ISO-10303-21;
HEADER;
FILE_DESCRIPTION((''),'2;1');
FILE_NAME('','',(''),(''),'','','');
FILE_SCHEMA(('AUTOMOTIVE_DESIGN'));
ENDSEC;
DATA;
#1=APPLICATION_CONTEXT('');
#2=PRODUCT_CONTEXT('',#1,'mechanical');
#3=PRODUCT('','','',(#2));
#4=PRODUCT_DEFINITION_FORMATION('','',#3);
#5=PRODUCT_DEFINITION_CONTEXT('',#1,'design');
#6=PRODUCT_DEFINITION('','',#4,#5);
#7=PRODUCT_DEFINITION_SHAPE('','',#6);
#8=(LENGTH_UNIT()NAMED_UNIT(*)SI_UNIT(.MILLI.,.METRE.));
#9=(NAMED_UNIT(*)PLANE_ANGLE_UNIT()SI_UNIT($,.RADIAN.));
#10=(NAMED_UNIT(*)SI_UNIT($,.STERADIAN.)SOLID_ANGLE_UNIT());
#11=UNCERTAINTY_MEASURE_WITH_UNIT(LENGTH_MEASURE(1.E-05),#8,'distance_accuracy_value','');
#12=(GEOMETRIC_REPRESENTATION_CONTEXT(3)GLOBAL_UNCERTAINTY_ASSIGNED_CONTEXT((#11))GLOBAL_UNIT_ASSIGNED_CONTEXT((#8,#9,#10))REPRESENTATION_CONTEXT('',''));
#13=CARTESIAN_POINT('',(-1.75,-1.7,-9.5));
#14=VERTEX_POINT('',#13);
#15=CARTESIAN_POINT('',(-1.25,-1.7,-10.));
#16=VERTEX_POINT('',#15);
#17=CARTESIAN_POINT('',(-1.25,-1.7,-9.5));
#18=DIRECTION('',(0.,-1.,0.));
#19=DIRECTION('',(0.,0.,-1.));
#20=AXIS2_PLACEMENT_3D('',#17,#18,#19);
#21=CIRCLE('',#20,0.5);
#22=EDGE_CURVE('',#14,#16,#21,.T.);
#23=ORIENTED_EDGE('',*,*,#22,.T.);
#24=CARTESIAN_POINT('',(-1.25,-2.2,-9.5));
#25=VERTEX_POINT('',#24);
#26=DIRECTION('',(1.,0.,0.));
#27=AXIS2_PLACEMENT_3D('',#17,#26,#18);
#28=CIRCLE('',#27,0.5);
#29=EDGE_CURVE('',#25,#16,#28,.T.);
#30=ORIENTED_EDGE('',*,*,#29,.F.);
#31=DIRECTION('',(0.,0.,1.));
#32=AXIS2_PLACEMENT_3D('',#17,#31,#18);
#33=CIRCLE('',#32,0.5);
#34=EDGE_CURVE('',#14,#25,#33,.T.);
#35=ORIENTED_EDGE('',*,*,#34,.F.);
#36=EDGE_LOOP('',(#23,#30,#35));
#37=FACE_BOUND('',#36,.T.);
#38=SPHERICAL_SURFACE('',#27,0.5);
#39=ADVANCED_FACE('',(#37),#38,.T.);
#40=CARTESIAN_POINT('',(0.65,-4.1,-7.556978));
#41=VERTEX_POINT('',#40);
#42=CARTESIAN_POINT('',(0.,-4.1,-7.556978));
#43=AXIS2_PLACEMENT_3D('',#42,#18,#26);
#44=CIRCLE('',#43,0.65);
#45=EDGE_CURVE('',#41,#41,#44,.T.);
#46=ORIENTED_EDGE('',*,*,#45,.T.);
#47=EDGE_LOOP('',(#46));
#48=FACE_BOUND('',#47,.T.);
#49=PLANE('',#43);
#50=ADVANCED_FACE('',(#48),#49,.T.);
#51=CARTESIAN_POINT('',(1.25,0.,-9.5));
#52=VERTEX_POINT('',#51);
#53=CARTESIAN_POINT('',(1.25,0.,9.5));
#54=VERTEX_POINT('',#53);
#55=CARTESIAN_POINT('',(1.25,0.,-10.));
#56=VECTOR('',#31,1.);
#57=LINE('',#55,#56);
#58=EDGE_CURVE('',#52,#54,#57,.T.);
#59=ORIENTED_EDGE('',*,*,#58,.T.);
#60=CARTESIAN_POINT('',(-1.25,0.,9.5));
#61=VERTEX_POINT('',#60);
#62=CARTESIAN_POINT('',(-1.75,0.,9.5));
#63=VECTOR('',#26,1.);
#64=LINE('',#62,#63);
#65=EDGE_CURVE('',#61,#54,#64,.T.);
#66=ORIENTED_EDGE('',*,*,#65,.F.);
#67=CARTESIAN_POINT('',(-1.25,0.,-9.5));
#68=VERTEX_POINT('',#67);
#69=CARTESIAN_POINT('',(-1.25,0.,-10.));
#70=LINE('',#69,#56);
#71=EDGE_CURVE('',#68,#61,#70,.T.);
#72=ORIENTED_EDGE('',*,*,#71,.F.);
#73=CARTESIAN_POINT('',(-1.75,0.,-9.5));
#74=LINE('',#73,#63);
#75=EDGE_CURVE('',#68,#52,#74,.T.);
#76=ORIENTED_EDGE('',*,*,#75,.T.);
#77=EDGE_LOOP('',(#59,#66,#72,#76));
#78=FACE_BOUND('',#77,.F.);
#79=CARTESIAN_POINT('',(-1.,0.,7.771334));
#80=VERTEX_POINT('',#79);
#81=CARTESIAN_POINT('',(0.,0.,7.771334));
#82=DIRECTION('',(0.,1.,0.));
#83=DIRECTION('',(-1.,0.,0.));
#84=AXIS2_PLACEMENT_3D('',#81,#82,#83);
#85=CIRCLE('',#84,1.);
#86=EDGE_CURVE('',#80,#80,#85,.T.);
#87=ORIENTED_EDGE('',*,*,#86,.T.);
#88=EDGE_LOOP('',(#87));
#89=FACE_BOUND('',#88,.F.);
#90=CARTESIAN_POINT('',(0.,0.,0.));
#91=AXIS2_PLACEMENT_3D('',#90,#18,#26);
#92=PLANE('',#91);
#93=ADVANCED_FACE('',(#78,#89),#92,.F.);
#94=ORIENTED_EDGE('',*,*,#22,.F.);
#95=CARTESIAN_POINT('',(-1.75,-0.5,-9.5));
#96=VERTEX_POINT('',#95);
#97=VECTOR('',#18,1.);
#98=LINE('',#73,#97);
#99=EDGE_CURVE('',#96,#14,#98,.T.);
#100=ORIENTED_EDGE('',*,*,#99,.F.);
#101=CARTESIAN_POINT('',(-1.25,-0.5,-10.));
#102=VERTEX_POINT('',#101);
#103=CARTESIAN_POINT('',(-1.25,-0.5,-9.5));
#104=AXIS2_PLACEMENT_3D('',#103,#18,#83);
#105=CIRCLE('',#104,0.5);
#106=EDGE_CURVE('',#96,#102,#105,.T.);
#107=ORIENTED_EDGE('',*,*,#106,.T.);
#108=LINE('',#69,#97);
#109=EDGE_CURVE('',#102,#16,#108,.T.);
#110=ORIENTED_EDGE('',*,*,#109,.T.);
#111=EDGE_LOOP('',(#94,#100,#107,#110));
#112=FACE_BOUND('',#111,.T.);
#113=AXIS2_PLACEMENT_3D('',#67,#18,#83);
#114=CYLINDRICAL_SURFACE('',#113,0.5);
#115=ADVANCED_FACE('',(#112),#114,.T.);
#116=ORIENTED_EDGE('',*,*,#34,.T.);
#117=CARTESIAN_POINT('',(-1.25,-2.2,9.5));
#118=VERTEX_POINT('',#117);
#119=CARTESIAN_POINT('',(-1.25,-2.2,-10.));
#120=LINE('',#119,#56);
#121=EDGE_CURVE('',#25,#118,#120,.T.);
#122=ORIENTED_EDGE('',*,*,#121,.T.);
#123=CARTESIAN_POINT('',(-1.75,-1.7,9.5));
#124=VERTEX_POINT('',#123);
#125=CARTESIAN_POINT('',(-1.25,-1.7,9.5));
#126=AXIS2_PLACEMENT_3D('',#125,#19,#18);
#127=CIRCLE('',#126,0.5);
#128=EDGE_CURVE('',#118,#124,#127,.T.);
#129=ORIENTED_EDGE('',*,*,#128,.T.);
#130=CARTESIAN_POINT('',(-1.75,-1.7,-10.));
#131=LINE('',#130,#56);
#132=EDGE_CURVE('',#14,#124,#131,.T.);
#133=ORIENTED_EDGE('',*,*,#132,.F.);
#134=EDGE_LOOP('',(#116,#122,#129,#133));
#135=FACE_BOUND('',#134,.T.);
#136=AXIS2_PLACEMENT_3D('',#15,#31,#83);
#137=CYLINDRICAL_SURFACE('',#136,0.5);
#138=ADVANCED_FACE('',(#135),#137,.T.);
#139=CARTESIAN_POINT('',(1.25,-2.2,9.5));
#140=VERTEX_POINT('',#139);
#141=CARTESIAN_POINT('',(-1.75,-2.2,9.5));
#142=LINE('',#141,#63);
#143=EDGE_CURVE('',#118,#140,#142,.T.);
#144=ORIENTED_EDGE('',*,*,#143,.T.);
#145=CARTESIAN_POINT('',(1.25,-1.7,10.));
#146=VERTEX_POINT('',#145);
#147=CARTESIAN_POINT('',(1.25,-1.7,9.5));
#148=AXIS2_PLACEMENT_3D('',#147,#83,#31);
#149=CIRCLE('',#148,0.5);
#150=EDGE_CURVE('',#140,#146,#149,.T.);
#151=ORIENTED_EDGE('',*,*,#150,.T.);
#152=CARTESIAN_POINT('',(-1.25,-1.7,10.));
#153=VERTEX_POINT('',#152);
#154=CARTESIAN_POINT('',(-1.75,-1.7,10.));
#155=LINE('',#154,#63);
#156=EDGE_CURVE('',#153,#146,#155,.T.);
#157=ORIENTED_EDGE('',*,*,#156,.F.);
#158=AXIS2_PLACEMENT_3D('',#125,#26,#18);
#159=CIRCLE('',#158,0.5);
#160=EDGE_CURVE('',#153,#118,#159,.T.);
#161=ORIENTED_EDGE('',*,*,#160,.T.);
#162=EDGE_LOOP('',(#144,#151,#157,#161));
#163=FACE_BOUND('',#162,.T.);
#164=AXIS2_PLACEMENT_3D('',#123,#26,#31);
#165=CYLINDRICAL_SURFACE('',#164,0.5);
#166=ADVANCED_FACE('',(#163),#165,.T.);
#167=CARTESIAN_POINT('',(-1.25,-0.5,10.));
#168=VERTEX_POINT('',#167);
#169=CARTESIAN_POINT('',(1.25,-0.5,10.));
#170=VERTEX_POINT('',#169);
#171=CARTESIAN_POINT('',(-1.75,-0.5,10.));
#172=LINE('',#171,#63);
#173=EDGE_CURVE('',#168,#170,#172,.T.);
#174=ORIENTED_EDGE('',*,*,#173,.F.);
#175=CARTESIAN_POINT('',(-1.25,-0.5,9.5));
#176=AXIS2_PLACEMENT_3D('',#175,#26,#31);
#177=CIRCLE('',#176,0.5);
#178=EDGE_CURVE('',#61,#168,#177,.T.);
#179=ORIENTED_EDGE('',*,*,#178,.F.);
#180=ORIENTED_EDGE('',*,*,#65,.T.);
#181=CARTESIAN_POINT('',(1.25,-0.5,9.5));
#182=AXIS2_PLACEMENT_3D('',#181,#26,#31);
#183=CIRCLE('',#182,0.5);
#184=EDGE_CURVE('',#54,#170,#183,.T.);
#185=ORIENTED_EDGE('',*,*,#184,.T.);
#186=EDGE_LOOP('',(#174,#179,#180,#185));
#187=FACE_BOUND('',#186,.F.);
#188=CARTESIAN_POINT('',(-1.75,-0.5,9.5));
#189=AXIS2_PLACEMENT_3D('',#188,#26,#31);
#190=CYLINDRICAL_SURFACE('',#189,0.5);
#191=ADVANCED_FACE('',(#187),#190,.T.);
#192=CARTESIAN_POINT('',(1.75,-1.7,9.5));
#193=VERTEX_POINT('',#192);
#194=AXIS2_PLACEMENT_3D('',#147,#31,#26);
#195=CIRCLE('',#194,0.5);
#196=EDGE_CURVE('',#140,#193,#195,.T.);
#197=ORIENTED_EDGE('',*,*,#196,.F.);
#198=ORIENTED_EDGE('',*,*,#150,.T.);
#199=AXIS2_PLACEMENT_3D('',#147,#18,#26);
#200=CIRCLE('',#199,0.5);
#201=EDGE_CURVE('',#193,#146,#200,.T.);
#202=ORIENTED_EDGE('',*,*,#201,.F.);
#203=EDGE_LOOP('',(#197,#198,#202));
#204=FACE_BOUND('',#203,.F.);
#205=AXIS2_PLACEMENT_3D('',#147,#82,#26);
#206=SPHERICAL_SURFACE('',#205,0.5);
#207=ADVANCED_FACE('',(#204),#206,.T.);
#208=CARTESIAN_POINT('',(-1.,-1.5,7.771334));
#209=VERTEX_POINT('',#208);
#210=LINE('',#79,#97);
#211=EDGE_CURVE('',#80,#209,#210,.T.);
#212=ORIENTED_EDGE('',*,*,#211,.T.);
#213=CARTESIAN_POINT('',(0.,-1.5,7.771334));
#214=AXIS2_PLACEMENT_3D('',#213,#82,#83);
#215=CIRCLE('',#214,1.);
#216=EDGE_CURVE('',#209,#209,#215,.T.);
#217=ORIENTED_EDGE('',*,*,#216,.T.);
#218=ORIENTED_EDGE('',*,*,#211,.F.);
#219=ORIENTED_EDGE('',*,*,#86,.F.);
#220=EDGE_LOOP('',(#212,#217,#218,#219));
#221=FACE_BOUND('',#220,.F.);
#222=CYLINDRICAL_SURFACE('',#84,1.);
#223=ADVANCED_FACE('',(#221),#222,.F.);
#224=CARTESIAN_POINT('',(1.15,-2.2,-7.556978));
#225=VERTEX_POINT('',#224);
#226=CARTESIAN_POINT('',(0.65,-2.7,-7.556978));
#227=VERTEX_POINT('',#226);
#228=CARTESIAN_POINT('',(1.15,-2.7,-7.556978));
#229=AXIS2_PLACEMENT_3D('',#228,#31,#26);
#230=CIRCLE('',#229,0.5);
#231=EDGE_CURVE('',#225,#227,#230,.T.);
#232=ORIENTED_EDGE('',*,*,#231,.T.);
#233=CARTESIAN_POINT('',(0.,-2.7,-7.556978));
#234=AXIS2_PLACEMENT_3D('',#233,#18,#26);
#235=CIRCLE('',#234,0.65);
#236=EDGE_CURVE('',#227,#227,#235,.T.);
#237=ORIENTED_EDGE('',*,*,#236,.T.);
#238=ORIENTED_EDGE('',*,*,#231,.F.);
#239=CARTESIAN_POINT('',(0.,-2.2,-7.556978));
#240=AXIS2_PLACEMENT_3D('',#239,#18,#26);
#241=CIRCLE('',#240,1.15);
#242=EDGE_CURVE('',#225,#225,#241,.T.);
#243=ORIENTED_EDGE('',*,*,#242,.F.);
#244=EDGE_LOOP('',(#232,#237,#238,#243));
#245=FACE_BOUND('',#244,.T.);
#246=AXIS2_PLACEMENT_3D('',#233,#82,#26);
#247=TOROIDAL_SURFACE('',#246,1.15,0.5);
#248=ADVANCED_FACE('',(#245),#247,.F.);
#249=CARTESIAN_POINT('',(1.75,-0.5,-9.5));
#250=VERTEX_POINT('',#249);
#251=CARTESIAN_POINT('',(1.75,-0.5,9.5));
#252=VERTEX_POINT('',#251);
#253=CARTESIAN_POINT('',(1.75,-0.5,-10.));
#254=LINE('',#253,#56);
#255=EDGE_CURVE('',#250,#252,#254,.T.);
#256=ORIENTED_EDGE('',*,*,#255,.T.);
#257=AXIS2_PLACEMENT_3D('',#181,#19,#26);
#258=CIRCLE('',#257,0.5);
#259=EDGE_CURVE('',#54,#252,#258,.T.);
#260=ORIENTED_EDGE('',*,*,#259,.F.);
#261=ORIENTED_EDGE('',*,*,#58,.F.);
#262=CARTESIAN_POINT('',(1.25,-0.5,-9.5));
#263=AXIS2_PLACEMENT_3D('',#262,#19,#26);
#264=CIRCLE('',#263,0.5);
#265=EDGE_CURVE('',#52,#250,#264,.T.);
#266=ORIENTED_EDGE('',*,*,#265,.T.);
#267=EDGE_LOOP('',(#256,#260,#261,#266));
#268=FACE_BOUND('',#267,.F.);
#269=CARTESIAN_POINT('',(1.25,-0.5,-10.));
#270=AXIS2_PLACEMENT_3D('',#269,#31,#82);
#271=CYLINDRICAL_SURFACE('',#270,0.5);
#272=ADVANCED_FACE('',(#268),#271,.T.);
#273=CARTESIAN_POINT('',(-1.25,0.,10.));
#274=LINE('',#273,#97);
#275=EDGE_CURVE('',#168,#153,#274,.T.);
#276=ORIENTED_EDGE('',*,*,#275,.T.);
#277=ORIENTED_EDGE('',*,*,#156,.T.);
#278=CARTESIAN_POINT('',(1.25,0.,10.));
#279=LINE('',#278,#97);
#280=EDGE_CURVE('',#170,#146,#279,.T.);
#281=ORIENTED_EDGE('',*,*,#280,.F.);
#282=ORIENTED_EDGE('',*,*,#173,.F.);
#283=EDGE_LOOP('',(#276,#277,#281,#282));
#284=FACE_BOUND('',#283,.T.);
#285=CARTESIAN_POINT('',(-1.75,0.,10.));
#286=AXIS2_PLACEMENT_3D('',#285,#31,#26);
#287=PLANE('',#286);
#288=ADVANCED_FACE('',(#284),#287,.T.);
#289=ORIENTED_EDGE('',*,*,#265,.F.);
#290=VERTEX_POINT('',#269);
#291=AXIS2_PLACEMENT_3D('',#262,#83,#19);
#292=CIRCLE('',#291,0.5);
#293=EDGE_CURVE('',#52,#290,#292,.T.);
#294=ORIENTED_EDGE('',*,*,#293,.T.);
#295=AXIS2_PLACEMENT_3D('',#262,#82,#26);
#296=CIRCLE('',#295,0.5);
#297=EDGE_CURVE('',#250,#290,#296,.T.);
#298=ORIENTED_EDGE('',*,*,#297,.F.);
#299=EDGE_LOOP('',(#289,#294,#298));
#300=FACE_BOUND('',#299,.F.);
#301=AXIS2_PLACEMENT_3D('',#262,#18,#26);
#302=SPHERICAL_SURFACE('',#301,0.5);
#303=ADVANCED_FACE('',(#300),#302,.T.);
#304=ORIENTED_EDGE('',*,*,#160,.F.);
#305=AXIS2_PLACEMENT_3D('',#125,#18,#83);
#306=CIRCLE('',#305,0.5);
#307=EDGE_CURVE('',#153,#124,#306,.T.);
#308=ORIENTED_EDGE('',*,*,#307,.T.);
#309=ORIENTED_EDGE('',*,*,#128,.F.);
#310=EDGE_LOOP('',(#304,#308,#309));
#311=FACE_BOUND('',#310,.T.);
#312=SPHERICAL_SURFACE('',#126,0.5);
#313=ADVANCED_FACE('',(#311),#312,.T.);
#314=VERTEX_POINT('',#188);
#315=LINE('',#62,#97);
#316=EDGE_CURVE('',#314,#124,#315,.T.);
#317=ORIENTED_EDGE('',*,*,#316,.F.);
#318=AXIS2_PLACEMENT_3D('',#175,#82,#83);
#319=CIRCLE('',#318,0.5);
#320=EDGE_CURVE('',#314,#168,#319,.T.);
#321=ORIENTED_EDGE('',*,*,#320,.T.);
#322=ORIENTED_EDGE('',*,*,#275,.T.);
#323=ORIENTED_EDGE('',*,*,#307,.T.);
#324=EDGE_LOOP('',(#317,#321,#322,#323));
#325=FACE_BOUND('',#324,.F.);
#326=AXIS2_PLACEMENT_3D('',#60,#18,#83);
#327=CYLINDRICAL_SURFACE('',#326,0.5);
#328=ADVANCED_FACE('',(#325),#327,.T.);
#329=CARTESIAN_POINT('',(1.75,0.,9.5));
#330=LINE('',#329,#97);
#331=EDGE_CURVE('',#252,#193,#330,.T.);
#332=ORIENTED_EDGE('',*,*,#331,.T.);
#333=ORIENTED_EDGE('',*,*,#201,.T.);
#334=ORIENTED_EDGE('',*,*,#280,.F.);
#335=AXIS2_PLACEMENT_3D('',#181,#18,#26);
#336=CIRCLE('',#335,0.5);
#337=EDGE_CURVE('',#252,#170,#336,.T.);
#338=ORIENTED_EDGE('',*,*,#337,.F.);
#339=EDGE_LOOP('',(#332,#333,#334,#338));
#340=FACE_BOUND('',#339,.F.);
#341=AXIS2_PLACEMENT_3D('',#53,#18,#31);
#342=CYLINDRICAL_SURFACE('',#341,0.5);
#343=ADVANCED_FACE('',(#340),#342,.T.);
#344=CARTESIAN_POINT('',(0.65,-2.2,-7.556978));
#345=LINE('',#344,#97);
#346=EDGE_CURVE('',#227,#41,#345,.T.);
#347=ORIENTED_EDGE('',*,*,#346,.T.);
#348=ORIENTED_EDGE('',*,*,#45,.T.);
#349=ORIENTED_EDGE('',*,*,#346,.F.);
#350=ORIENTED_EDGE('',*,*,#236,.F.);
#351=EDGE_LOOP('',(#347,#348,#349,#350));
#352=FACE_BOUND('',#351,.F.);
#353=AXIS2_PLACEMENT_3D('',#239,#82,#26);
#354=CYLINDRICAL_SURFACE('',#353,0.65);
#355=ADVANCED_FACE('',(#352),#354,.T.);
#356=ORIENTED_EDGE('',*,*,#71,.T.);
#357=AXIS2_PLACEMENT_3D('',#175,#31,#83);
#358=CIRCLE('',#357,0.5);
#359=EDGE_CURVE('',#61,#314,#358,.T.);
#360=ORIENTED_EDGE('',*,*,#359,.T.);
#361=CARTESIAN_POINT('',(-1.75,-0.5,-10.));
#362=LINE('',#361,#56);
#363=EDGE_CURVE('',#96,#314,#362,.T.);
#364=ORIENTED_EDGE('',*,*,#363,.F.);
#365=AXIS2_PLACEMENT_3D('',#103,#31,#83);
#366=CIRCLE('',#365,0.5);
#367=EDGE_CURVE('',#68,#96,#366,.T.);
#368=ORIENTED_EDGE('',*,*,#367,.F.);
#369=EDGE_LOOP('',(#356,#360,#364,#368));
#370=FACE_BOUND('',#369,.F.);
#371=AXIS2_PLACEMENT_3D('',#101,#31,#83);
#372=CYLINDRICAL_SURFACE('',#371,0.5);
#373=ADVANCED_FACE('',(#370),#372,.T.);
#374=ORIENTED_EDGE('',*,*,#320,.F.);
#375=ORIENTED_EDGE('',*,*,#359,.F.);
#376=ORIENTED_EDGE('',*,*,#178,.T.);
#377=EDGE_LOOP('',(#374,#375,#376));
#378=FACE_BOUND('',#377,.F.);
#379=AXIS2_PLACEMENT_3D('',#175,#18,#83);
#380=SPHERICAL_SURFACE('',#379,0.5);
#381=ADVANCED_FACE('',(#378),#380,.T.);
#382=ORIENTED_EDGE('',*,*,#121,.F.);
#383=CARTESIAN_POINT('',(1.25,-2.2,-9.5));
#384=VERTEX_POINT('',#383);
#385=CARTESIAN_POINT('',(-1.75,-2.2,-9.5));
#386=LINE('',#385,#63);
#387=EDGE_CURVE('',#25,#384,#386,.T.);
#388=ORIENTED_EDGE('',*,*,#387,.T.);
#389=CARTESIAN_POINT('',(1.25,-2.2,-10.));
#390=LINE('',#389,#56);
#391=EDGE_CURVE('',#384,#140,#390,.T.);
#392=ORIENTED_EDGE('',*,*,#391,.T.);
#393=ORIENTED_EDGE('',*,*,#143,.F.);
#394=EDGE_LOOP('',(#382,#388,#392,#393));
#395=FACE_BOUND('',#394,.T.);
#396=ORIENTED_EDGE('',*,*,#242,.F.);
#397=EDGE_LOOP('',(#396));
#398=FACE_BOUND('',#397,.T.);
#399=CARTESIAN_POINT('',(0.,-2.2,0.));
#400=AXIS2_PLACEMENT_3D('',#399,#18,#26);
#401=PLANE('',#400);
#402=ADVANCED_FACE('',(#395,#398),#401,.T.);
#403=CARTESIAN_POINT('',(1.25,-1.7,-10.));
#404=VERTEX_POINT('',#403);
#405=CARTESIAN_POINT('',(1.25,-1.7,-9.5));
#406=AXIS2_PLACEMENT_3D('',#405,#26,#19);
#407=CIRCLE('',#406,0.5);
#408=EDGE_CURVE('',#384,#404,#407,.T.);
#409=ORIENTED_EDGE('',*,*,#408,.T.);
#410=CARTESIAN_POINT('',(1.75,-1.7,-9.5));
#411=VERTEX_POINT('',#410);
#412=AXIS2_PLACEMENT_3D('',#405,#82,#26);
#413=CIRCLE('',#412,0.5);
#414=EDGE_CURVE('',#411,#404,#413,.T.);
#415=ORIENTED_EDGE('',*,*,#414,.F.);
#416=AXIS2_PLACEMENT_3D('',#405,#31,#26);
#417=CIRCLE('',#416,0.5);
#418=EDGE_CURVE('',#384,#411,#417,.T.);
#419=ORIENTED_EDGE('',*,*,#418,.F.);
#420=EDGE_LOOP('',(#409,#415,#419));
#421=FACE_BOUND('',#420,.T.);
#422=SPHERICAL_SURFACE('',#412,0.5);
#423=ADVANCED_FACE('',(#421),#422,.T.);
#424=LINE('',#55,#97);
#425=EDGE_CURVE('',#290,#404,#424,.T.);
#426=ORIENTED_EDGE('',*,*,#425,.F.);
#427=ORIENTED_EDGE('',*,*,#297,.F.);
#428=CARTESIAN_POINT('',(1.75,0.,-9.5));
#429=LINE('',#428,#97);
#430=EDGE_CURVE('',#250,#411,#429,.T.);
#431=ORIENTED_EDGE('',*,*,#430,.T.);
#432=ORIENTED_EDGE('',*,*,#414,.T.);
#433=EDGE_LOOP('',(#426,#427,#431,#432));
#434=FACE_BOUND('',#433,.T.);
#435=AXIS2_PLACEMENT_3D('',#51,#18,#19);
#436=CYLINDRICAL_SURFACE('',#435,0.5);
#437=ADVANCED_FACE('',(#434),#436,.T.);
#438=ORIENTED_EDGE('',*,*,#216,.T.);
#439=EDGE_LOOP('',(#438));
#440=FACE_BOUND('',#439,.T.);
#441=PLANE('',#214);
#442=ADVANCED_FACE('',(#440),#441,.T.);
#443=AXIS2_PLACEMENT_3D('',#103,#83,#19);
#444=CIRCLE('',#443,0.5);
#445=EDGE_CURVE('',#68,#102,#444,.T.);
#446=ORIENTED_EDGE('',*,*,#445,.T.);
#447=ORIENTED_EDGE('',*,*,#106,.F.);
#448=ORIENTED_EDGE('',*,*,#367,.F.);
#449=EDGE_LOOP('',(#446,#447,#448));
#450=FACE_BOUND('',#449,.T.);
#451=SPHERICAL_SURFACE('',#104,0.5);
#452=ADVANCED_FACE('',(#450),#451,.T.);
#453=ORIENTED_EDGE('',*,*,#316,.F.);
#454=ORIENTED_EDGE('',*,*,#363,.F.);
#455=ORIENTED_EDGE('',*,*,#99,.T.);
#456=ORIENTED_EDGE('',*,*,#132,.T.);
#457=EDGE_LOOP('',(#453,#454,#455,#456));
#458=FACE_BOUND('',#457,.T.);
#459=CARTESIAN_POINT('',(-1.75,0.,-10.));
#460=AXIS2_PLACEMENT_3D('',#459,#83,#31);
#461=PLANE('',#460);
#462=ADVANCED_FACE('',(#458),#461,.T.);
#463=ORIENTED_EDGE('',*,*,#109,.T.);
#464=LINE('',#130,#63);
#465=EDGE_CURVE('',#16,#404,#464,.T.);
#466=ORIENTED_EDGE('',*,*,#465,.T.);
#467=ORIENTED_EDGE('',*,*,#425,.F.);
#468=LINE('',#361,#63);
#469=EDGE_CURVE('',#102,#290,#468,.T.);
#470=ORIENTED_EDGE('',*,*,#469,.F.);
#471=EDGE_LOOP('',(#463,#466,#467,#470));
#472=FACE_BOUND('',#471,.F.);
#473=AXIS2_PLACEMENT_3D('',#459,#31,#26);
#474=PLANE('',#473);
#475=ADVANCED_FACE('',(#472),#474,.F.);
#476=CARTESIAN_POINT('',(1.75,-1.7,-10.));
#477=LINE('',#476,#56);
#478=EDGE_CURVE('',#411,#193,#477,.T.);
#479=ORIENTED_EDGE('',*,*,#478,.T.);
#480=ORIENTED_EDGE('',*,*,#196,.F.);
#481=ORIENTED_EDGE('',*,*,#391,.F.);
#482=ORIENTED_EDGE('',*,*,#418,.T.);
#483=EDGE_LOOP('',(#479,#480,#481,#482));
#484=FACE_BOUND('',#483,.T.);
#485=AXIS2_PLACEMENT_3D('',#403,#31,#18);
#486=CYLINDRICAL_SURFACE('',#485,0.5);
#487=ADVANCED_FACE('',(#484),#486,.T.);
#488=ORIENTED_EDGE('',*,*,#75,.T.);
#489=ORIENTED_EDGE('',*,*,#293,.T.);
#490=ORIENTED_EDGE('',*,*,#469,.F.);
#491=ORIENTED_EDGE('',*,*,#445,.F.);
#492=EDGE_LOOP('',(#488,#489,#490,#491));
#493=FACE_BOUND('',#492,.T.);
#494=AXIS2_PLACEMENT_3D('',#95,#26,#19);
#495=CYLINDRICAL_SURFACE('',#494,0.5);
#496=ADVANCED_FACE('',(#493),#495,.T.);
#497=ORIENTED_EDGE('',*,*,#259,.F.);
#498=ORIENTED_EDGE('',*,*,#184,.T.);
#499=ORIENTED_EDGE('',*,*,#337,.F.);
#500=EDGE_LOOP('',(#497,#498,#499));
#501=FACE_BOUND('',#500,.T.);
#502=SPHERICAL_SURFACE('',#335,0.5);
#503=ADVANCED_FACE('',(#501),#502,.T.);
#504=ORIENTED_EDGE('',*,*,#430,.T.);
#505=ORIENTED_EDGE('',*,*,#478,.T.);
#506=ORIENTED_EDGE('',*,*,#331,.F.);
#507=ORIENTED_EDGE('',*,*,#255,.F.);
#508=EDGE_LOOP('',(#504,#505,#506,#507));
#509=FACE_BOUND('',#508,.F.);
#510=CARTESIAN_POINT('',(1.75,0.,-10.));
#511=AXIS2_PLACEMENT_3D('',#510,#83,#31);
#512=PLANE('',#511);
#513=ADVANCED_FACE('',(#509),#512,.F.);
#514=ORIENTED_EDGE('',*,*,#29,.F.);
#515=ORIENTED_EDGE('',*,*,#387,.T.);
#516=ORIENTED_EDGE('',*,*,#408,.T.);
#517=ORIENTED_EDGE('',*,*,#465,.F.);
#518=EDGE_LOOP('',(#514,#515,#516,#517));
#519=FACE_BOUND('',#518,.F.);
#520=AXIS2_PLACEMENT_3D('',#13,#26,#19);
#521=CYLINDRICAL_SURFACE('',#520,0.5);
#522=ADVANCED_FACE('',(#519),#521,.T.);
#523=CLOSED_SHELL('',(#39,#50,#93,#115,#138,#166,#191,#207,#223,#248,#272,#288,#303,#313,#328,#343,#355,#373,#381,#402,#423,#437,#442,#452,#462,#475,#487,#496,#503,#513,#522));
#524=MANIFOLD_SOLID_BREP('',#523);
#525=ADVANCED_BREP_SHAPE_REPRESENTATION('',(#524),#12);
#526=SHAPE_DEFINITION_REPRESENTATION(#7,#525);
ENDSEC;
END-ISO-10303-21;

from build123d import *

# Parameters (mm, degrees)
F0_W     = 3.5
F0_H     = 20
F1_DEPTH = 2.2
F2_R     = 1
F3_DEPTH = 1.5
F4_R     = 0.65
F5_DEPTH = 1.9
F6_R     = 0.5


with BuildPart() as f1:
    # F0 (on Front) → F1 (new body)
    with BuildSketch(Plane.XZ):
        Rectangle(F0_W, F0_H)
    extrude(amount=F1_DEPTH)

    # F2 (on face) → F3 (cut)
    with BuildSketch(Plane(origin=(0, 0, 0), x_dir=(-1, 0, 0), z_dir=(0, 1, 0))):
        with Locations((0, 7.771334)):
            Circle(F2_R)
    extrude(amount=-F3_DEPTH, mode=Mode.SUBTRACT)

    # F4 (on face) → F5 (join)
    with BuildSketch(Plane.XZ.offset(2.2)):
        with Locations((0, -7.556978)):
            Circle(F4_R)
    extrude(amount=F5_DEPTH)

    # F6
    f6_edges = [f1.edges().sort_by_distance(p)[0] for p in [
        (1.75, -1.1, -10),
        (1.75, -1.1, 10),
        (1.75, 0, 0),
        (1.75, -2.2, 0),
        (0, -2.2, -10),
        (-1.75, -2.2, 0),
        (0, -2.2, 10),
        (-0.65, -2.2, -7.556978),
        (-1.75, -1.1, 10),
        (-1.75, -1.1, -10),
        (-1.75, 0, 0),
        (0, 0, 10),
        (0, 0, -10),
    ]]
    fillet(f6_edges, radius=F6_R)


solid = f1.part
